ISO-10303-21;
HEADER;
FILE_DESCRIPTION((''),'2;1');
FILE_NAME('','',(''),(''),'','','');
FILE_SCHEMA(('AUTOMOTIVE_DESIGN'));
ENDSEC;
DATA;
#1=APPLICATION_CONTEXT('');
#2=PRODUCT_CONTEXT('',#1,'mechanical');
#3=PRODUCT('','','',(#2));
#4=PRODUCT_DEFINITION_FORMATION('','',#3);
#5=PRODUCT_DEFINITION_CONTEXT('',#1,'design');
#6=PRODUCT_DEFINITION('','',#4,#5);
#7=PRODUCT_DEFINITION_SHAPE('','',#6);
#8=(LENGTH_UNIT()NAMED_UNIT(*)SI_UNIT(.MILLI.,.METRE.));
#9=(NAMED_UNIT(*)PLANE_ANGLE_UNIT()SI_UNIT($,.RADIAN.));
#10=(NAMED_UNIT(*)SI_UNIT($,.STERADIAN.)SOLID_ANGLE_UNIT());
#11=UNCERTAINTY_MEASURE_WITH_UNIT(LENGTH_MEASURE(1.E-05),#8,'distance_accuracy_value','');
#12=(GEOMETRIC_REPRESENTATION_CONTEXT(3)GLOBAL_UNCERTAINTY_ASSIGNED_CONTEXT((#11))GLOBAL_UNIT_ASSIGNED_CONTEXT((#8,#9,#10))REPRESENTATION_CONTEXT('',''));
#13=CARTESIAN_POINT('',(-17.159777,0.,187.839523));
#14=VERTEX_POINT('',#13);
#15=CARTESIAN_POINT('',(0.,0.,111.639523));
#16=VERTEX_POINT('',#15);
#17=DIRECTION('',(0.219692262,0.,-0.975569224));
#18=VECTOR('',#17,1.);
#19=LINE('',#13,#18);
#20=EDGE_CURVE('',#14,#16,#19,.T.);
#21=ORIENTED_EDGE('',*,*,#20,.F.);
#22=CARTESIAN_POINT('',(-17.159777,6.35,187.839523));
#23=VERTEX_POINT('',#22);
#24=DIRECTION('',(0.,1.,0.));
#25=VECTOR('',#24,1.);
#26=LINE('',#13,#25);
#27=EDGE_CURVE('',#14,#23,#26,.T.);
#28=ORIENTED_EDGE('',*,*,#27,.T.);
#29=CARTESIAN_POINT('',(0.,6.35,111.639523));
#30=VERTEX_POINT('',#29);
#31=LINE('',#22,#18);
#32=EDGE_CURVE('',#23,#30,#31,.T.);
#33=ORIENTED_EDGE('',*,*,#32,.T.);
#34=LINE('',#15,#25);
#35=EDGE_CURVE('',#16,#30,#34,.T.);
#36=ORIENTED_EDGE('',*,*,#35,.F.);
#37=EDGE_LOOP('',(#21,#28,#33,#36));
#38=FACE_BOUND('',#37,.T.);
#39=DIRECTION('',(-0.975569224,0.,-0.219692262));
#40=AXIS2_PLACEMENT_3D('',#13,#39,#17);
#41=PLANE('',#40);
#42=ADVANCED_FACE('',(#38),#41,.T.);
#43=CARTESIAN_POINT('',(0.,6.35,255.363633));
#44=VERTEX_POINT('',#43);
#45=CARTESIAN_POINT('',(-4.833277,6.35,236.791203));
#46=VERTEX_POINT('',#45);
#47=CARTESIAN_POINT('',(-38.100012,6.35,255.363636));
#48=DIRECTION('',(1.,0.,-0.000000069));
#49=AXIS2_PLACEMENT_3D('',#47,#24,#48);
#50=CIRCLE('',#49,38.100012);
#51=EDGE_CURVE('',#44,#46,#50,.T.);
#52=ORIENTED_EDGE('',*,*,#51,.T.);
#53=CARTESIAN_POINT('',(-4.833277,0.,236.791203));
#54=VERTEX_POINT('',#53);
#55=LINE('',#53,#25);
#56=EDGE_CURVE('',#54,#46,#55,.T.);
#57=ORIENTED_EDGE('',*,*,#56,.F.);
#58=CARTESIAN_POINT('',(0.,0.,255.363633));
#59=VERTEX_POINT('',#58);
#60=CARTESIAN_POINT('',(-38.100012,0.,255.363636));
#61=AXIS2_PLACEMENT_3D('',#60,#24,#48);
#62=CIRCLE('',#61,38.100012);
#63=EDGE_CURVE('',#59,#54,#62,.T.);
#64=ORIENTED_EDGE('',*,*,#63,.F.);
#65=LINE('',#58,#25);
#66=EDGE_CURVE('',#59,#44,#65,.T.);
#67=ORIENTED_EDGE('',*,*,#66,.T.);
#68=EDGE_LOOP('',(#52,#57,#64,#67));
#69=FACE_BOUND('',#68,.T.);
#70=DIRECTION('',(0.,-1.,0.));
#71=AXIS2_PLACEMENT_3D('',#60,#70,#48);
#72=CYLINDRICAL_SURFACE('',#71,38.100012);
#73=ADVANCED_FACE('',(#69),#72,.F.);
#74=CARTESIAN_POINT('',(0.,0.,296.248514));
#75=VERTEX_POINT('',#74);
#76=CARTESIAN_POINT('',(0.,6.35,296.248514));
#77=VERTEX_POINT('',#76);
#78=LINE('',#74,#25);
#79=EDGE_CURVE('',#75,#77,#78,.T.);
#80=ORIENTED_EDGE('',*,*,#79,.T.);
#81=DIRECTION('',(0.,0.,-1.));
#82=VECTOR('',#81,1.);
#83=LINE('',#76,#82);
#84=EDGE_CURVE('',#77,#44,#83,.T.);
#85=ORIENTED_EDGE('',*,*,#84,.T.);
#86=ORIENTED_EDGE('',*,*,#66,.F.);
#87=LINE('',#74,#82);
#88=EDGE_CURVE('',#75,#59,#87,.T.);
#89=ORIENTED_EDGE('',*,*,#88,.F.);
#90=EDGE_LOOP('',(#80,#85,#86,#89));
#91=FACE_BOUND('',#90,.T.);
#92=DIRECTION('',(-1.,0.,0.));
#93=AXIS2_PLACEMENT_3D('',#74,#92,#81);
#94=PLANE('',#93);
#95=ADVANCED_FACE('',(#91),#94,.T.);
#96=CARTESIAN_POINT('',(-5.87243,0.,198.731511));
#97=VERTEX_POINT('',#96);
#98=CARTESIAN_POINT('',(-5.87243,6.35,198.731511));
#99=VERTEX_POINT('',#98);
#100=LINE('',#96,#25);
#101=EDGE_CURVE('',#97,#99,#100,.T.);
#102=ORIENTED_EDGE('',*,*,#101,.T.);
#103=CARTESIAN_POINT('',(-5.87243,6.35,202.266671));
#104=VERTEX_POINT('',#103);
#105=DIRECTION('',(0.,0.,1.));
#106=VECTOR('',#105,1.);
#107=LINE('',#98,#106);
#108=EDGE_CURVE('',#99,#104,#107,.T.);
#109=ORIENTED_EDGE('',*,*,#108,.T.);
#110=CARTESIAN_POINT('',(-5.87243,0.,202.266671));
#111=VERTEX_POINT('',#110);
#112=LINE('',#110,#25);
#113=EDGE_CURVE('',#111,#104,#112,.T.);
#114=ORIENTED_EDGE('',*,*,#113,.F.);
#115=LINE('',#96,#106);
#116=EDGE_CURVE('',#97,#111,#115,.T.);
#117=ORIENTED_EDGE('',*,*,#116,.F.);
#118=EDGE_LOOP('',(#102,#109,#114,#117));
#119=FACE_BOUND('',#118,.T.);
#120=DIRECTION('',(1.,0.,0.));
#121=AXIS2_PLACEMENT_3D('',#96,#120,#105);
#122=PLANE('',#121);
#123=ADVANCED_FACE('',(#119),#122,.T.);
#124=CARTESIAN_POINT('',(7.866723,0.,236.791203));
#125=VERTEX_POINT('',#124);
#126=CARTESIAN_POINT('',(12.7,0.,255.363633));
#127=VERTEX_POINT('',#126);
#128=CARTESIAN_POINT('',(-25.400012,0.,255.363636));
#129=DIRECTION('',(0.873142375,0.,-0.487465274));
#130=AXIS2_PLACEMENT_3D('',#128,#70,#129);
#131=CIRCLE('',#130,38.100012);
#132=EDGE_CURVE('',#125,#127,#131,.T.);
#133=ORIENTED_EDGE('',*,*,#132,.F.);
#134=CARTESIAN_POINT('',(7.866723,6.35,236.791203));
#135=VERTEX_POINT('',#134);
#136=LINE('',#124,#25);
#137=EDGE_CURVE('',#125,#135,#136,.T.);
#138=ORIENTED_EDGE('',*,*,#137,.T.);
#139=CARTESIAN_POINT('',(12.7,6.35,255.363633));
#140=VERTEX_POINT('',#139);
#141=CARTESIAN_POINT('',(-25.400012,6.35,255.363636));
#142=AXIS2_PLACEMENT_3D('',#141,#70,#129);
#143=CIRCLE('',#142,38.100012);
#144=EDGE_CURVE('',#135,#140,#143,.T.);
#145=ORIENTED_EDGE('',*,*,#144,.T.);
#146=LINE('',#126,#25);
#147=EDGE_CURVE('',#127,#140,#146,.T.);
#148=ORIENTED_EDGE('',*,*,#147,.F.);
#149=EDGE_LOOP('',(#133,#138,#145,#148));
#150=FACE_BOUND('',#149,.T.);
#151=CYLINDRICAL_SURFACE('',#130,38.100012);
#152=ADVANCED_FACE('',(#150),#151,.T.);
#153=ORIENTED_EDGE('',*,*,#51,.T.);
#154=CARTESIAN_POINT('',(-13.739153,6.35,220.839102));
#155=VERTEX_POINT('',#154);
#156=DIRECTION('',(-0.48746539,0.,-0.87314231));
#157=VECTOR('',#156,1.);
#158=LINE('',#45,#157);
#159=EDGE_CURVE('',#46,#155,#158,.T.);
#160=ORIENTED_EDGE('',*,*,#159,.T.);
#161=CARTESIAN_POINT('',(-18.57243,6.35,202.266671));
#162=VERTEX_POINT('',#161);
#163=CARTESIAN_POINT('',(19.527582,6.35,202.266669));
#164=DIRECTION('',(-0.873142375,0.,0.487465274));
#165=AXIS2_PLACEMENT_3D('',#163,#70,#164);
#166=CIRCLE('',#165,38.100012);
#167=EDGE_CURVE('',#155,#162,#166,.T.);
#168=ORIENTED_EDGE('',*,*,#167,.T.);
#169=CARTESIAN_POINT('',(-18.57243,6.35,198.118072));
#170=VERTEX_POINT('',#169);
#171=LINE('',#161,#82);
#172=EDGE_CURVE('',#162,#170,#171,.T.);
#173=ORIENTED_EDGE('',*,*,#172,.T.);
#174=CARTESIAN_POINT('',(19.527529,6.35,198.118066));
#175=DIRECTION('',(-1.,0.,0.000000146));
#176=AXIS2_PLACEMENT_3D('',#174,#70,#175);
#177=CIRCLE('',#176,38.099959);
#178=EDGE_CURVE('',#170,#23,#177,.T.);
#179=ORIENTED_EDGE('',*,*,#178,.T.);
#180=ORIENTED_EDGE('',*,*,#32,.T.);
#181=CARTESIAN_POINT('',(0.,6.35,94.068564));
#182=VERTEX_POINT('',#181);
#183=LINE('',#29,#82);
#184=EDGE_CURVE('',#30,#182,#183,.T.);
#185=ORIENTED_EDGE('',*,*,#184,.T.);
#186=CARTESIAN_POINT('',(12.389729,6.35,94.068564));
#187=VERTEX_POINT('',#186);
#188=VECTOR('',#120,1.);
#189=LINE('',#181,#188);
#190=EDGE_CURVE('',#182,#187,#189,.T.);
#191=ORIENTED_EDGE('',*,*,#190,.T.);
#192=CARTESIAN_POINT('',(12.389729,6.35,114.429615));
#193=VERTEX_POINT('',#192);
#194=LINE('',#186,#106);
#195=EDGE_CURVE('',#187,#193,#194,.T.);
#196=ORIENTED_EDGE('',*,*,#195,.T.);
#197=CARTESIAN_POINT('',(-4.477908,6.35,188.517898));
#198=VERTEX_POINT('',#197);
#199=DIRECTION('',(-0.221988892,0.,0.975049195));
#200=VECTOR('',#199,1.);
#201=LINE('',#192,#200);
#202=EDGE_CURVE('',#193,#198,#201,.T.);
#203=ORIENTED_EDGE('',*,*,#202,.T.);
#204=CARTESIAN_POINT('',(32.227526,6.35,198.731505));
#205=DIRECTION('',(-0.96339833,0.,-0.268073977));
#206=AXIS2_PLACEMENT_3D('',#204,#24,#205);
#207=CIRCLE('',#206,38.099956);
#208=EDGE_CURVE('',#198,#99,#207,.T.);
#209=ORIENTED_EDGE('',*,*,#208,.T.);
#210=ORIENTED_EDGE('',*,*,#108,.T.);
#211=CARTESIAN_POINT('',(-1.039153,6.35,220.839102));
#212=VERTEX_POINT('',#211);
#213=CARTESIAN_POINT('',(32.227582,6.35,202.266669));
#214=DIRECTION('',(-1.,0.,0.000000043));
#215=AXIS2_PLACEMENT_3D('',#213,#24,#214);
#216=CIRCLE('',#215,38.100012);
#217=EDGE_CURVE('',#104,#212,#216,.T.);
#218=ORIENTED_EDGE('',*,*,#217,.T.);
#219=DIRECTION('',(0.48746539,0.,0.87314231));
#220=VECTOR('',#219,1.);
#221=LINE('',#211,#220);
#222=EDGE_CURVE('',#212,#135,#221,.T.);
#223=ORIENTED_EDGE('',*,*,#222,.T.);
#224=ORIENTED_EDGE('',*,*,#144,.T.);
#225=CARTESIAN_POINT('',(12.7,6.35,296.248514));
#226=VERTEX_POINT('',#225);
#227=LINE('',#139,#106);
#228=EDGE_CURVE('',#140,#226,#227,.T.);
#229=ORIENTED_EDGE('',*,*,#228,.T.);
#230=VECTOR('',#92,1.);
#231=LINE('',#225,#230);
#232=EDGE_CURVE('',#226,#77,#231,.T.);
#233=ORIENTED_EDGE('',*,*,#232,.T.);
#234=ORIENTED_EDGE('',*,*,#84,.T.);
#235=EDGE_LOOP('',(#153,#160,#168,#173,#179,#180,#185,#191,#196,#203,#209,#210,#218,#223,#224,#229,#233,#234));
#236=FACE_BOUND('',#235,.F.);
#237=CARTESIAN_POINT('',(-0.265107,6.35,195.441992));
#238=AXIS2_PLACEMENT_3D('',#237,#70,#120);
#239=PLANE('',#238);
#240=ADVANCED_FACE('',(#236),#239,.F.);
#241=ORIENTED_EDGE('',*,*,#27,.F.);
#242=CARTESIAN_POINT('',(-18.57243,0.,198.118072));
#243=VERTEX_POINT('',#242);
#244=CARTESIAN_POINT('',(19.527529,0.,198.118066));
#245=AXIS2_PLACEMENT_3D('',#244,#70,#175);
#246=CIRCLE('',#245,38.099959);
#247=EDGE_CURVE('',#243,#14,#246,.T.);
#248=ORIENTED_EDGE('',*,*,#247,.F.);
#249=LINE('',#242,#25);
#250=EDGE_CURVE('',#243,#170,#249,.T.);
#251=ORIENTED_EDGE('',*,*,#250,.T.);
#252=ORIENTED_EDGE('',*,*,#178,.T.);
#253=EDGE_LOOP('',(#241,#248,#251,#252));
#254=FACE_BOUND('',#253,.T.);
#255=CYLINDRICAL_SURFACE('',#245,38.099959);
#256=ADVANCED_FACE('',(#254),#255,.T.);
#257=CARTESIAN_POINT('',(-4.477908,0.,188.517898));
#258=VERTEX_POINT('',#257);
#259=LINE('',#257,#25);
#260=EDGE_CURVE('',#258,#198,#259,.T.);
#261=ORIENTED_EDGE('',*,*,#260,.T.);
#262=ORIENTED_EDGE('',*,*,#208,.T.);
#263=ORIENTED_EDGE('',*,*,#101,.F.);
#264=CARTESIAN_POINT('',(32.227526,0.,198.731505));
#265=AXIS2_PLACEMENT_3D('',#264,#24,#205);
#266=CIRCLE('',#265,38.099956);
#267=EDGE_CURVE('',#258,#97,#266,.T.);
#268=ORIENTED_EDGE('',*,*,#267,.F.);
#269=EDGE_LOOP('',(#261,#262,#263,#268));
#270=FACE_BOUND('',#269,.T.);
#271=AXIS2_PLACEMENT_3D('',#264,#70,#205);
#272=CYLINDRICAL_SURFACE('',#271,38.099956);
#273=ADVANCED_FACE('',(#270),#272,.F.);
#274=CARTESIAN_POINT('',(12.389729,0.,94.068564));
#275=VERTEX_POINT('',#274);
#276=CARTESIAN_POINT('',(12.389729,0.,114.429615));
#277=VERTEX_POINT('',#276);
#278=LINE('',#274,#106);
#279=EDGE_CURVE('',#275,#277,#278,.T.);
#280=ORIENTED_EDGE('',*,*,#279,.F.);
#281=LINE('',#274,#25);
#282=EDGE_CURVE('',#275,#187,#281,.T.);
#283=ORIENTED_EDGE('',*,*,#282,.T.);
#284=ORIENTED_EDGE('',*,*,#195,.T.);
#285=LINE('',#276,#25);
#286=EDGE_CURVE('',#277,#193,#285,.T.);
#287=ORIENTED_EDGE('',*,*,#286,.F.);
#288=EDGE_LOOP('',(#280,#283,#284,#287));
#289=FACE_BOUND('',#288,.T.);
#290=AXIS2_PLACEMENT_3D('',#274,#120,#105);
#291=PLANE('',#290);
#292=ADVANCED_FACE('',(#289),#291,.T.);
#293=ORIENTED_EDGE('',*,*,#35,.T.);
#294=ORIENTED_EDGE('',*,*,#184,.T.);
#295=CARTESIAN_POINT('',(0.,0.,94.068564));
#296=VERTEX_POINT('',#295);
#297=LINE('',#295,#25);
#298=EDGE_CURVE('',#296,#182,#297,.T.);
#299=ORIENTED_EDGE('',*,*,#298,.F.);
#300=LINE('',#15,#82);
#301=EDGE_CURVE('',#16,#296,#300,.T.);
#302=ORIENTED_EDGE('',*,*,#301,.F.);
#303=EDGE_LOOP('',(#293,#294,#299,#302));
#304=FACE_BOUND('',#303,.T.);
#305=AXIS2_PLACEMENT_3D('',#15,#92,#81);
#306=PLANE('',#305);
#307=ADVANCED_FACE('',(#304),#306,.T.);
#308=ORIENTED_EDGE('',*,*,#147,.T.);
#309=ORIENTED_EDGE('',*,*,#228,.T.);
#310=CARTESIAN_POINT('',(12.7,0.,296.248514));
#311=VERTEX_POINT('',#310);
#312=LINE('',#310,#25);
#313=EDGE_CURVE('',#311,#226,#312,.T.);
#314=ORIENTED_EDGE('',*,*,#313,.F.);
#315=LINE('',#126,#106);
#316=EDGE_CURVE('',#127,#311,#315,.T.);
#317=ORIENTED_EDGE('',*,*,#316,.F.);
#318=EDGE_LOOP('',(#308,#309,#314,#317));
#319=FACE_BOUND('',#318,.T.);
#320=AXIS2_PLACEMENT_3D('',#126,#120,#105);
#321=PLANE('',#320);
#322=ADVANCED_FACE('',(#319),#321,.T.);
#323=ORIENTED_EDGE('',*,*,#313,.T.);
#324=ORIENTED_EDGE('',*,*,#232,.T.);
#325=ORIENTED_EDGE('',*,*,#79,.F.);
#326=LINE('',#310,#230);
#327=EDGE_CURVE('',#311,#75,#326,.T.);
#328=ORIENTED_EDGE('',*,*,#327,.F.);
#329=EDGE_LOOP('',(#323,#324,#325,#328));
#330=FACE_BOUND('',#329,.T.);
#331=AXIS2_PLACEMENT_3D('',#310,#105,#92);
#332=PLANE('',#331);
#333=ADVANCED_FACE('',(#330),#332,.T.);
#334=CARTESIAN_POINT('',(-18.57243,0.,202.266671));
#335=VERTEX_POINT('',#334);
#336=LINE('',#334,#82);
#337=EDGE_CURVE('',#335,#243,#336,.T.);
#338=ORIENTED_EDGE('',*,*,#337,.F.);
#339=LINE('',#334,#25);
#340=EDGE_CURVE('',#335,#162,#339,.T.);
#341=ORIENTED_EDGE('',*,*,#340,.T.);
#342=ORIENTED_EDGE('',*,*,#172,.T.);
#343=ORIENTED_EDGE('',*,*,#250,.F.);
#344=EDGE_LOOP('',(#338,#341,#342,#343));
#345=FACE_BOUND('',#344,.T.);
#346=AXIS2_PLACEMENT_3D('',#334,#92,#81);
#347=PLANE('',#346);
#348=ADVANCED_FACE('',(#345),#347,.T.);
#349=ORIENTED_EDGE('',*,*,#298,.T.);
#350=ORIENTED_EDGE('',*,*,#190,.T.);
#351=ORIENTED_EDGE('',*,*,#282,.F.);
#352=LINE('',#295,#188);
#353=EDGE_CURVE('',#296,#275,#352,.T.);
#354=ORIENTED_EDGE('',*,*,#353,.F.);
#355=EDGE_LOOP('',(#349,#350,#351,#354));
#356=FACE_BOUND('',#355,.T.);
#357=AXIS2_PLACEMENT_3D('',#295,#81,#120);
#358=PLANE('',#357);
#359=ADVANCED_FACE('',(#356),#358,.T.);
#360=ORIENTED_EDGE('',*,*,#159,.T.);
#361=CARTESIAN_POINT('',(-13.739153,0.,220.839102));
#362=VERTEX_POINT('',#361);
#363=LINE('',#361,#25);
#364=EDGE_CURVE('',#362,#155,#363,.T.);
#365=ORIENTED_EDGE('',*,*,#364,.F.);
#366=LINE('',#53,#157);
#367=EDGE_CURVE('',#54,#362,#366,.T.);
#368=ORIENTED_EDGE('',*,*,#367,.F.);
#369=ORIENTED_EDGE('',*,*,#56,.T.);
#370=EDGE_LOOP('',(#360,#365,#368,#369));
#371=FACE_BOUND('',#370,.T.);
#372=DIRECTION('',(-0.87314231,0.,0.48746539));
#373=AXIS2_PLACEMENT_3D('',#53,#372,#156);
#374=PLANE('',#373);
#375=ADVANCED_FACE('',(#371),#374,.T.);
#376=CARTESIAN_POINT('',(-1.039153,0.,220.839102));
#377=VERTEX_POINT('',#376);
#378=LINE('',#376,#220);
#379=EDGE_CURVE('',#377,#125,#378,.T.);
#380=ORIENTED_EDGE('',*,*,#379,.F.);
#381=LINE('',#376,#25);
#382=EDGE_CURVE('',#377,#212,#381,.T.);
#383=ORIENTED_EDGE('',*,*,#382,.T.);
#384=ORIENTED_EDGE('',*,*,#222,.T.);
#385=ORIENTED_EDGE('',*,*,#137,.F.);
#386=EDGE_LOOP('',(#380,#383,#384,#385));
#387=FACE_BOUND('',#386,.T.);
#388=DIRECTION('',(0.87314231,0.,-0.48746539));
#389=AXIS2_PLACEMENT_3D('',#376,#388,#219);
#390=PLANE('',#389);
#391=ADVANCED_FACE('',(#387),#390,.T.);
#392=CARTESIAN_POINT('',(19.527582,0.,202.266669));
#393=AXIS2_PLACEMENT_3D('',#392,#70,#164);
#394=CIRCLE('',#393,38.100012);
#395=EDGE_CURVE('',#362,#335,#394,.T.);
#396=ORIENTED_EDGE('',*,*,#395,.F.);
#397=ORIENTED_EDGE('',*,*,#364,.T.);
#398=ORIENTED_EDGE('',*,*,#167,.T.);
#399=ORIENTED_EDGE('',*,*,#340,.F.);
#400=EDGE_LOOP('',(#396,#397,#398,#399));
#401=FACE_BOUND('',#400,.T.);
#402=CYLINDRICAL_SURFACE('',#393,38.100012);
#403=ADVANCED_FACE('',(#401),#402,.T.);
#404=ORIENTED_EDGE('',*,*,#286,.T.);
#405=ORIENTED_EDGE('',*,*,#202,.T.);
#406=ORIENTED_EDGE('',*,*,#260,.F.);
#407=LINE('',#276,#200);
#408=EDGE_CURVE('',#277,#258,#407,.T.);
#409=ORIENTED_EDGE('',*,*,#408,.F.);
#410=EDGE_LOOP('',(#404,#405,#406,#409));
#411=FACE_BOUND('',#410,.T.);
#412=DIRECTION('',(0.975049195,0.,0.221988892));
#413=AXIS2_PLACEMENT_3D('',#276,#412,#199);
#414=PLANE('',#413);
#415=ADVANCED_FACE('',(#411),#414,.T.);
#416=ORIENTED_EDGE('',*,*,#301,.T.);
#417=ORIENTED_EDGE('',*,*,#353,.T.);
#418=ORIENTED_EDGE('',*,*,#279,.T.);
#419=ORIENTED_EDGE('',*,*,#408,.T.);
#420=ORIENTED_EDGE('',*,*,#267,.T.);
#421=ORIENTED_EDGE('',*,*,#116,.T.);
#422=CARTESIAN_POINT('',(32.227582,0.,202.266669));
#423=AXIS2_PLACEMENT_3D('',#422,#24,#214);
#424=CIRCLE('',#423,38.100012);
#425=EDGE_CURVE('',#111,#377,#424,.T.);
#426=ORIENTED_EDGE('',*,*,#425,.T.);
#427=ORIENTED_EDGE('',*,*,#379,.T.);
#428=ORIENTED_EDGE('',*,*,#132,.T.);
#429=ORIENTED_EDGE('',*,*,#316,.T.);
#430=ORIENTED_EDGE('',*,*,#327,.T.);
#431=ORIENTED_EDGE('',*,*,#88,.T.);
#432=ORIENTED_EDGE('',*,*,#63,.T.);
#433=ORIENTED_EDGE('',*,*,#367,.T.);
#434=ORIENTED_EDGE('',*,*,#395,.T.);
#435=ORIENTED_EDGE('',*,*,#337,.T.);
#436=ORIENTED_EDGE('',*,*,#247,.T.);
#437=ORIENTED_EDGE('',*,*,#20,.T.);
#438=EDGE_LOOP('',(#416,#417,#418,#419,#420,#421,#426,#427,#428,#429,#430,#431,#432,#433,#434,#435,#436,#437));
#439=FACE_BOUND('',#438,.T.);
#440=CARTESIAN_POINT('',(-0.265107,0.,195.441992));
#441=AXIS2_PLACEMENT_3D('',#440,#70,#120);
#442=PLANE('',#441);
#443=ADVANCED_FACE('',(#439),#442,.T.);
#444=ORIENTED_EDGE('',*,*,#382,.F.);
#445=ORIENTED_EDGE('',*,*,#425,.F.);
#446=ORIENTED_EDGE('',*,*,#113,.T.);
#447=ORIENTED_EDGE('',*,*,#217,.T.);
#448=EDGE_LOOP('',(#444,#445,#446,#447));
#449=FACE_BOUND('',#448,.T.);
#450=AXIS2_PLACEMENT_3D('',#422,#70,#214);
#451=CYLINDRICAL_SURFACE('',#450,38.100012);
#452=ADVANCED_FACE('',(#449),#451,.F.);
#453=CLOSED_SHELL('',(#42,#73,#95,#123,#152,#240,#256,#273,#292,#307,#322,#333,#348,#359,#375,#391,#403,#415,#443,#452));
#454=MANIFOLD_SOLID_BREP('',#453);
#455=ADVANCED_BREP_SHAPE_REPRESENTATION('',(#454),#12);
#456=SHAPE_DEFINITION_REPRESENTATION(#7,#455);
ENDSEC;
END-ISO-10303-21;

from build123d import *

# Parameters (mm, degrees)
F1_DEPTH = 6.35


with BuildPart() as f1:
    # F0 (on Front) → F1 (new body)
    with BuildSketch(Plane.XZ):
        with BuildLine():
            Line((-18.57243, 202.266671), (-18.57243, 198.118072))
            ThreePointArc((-18.57243, 198.118072), (-18.217615, 192.930487), (-17.159777, 187.839523))
            Line((-17.159777, 187.839523), (0, 111.639523))
            Line((0, 111.639523), (0, 94.068564))
            Line((0, 94.068564), (12.389729, 94.068564))
            Line((12.389729, 94.068564), (12.389729, 114.429615))
            Line((12.389729, 114.429615), (-4.477908, 188.517898))
            ThreePointArc((-4.477908, 188.517898), (-5.52219, 193.577323), (-5.87243, 198.731511))
            Line((-5.87243, 198.731511), (-5.87243, 202.266671))
            ThreePointArc((-5.87243, 202.266671), (-4.644317, 211.862188), (-1.039153, 220.839102))
            Line((-1.039153, 220.839102), (7.866723, 236.791203))
            ThreePointArc((7.866723, 236.791203), (11.471887, 245.768117), (12.7, 255.363633))
            Line((12.7, 255.363633), (12.7, 296.248514))
            Line((12.7, 296.248514), (0, 296.248514))
            Line((0, 296.248514), (0, 255.363633))
            ThreePointArc((0, 255.363633), (-1.228113, 245.768117), (-4.833277, 236.791203))
            Line((-4.833277, 236.791203), (-13.739153, 220.839102))
            ThreePointArc((-13.739153, 220.839102), (-17.344317, 211.862188), (-18.57243, 202.266671))
        make_face()
    extrude(amount=-F1_DEPTH)


solid = f1.part
